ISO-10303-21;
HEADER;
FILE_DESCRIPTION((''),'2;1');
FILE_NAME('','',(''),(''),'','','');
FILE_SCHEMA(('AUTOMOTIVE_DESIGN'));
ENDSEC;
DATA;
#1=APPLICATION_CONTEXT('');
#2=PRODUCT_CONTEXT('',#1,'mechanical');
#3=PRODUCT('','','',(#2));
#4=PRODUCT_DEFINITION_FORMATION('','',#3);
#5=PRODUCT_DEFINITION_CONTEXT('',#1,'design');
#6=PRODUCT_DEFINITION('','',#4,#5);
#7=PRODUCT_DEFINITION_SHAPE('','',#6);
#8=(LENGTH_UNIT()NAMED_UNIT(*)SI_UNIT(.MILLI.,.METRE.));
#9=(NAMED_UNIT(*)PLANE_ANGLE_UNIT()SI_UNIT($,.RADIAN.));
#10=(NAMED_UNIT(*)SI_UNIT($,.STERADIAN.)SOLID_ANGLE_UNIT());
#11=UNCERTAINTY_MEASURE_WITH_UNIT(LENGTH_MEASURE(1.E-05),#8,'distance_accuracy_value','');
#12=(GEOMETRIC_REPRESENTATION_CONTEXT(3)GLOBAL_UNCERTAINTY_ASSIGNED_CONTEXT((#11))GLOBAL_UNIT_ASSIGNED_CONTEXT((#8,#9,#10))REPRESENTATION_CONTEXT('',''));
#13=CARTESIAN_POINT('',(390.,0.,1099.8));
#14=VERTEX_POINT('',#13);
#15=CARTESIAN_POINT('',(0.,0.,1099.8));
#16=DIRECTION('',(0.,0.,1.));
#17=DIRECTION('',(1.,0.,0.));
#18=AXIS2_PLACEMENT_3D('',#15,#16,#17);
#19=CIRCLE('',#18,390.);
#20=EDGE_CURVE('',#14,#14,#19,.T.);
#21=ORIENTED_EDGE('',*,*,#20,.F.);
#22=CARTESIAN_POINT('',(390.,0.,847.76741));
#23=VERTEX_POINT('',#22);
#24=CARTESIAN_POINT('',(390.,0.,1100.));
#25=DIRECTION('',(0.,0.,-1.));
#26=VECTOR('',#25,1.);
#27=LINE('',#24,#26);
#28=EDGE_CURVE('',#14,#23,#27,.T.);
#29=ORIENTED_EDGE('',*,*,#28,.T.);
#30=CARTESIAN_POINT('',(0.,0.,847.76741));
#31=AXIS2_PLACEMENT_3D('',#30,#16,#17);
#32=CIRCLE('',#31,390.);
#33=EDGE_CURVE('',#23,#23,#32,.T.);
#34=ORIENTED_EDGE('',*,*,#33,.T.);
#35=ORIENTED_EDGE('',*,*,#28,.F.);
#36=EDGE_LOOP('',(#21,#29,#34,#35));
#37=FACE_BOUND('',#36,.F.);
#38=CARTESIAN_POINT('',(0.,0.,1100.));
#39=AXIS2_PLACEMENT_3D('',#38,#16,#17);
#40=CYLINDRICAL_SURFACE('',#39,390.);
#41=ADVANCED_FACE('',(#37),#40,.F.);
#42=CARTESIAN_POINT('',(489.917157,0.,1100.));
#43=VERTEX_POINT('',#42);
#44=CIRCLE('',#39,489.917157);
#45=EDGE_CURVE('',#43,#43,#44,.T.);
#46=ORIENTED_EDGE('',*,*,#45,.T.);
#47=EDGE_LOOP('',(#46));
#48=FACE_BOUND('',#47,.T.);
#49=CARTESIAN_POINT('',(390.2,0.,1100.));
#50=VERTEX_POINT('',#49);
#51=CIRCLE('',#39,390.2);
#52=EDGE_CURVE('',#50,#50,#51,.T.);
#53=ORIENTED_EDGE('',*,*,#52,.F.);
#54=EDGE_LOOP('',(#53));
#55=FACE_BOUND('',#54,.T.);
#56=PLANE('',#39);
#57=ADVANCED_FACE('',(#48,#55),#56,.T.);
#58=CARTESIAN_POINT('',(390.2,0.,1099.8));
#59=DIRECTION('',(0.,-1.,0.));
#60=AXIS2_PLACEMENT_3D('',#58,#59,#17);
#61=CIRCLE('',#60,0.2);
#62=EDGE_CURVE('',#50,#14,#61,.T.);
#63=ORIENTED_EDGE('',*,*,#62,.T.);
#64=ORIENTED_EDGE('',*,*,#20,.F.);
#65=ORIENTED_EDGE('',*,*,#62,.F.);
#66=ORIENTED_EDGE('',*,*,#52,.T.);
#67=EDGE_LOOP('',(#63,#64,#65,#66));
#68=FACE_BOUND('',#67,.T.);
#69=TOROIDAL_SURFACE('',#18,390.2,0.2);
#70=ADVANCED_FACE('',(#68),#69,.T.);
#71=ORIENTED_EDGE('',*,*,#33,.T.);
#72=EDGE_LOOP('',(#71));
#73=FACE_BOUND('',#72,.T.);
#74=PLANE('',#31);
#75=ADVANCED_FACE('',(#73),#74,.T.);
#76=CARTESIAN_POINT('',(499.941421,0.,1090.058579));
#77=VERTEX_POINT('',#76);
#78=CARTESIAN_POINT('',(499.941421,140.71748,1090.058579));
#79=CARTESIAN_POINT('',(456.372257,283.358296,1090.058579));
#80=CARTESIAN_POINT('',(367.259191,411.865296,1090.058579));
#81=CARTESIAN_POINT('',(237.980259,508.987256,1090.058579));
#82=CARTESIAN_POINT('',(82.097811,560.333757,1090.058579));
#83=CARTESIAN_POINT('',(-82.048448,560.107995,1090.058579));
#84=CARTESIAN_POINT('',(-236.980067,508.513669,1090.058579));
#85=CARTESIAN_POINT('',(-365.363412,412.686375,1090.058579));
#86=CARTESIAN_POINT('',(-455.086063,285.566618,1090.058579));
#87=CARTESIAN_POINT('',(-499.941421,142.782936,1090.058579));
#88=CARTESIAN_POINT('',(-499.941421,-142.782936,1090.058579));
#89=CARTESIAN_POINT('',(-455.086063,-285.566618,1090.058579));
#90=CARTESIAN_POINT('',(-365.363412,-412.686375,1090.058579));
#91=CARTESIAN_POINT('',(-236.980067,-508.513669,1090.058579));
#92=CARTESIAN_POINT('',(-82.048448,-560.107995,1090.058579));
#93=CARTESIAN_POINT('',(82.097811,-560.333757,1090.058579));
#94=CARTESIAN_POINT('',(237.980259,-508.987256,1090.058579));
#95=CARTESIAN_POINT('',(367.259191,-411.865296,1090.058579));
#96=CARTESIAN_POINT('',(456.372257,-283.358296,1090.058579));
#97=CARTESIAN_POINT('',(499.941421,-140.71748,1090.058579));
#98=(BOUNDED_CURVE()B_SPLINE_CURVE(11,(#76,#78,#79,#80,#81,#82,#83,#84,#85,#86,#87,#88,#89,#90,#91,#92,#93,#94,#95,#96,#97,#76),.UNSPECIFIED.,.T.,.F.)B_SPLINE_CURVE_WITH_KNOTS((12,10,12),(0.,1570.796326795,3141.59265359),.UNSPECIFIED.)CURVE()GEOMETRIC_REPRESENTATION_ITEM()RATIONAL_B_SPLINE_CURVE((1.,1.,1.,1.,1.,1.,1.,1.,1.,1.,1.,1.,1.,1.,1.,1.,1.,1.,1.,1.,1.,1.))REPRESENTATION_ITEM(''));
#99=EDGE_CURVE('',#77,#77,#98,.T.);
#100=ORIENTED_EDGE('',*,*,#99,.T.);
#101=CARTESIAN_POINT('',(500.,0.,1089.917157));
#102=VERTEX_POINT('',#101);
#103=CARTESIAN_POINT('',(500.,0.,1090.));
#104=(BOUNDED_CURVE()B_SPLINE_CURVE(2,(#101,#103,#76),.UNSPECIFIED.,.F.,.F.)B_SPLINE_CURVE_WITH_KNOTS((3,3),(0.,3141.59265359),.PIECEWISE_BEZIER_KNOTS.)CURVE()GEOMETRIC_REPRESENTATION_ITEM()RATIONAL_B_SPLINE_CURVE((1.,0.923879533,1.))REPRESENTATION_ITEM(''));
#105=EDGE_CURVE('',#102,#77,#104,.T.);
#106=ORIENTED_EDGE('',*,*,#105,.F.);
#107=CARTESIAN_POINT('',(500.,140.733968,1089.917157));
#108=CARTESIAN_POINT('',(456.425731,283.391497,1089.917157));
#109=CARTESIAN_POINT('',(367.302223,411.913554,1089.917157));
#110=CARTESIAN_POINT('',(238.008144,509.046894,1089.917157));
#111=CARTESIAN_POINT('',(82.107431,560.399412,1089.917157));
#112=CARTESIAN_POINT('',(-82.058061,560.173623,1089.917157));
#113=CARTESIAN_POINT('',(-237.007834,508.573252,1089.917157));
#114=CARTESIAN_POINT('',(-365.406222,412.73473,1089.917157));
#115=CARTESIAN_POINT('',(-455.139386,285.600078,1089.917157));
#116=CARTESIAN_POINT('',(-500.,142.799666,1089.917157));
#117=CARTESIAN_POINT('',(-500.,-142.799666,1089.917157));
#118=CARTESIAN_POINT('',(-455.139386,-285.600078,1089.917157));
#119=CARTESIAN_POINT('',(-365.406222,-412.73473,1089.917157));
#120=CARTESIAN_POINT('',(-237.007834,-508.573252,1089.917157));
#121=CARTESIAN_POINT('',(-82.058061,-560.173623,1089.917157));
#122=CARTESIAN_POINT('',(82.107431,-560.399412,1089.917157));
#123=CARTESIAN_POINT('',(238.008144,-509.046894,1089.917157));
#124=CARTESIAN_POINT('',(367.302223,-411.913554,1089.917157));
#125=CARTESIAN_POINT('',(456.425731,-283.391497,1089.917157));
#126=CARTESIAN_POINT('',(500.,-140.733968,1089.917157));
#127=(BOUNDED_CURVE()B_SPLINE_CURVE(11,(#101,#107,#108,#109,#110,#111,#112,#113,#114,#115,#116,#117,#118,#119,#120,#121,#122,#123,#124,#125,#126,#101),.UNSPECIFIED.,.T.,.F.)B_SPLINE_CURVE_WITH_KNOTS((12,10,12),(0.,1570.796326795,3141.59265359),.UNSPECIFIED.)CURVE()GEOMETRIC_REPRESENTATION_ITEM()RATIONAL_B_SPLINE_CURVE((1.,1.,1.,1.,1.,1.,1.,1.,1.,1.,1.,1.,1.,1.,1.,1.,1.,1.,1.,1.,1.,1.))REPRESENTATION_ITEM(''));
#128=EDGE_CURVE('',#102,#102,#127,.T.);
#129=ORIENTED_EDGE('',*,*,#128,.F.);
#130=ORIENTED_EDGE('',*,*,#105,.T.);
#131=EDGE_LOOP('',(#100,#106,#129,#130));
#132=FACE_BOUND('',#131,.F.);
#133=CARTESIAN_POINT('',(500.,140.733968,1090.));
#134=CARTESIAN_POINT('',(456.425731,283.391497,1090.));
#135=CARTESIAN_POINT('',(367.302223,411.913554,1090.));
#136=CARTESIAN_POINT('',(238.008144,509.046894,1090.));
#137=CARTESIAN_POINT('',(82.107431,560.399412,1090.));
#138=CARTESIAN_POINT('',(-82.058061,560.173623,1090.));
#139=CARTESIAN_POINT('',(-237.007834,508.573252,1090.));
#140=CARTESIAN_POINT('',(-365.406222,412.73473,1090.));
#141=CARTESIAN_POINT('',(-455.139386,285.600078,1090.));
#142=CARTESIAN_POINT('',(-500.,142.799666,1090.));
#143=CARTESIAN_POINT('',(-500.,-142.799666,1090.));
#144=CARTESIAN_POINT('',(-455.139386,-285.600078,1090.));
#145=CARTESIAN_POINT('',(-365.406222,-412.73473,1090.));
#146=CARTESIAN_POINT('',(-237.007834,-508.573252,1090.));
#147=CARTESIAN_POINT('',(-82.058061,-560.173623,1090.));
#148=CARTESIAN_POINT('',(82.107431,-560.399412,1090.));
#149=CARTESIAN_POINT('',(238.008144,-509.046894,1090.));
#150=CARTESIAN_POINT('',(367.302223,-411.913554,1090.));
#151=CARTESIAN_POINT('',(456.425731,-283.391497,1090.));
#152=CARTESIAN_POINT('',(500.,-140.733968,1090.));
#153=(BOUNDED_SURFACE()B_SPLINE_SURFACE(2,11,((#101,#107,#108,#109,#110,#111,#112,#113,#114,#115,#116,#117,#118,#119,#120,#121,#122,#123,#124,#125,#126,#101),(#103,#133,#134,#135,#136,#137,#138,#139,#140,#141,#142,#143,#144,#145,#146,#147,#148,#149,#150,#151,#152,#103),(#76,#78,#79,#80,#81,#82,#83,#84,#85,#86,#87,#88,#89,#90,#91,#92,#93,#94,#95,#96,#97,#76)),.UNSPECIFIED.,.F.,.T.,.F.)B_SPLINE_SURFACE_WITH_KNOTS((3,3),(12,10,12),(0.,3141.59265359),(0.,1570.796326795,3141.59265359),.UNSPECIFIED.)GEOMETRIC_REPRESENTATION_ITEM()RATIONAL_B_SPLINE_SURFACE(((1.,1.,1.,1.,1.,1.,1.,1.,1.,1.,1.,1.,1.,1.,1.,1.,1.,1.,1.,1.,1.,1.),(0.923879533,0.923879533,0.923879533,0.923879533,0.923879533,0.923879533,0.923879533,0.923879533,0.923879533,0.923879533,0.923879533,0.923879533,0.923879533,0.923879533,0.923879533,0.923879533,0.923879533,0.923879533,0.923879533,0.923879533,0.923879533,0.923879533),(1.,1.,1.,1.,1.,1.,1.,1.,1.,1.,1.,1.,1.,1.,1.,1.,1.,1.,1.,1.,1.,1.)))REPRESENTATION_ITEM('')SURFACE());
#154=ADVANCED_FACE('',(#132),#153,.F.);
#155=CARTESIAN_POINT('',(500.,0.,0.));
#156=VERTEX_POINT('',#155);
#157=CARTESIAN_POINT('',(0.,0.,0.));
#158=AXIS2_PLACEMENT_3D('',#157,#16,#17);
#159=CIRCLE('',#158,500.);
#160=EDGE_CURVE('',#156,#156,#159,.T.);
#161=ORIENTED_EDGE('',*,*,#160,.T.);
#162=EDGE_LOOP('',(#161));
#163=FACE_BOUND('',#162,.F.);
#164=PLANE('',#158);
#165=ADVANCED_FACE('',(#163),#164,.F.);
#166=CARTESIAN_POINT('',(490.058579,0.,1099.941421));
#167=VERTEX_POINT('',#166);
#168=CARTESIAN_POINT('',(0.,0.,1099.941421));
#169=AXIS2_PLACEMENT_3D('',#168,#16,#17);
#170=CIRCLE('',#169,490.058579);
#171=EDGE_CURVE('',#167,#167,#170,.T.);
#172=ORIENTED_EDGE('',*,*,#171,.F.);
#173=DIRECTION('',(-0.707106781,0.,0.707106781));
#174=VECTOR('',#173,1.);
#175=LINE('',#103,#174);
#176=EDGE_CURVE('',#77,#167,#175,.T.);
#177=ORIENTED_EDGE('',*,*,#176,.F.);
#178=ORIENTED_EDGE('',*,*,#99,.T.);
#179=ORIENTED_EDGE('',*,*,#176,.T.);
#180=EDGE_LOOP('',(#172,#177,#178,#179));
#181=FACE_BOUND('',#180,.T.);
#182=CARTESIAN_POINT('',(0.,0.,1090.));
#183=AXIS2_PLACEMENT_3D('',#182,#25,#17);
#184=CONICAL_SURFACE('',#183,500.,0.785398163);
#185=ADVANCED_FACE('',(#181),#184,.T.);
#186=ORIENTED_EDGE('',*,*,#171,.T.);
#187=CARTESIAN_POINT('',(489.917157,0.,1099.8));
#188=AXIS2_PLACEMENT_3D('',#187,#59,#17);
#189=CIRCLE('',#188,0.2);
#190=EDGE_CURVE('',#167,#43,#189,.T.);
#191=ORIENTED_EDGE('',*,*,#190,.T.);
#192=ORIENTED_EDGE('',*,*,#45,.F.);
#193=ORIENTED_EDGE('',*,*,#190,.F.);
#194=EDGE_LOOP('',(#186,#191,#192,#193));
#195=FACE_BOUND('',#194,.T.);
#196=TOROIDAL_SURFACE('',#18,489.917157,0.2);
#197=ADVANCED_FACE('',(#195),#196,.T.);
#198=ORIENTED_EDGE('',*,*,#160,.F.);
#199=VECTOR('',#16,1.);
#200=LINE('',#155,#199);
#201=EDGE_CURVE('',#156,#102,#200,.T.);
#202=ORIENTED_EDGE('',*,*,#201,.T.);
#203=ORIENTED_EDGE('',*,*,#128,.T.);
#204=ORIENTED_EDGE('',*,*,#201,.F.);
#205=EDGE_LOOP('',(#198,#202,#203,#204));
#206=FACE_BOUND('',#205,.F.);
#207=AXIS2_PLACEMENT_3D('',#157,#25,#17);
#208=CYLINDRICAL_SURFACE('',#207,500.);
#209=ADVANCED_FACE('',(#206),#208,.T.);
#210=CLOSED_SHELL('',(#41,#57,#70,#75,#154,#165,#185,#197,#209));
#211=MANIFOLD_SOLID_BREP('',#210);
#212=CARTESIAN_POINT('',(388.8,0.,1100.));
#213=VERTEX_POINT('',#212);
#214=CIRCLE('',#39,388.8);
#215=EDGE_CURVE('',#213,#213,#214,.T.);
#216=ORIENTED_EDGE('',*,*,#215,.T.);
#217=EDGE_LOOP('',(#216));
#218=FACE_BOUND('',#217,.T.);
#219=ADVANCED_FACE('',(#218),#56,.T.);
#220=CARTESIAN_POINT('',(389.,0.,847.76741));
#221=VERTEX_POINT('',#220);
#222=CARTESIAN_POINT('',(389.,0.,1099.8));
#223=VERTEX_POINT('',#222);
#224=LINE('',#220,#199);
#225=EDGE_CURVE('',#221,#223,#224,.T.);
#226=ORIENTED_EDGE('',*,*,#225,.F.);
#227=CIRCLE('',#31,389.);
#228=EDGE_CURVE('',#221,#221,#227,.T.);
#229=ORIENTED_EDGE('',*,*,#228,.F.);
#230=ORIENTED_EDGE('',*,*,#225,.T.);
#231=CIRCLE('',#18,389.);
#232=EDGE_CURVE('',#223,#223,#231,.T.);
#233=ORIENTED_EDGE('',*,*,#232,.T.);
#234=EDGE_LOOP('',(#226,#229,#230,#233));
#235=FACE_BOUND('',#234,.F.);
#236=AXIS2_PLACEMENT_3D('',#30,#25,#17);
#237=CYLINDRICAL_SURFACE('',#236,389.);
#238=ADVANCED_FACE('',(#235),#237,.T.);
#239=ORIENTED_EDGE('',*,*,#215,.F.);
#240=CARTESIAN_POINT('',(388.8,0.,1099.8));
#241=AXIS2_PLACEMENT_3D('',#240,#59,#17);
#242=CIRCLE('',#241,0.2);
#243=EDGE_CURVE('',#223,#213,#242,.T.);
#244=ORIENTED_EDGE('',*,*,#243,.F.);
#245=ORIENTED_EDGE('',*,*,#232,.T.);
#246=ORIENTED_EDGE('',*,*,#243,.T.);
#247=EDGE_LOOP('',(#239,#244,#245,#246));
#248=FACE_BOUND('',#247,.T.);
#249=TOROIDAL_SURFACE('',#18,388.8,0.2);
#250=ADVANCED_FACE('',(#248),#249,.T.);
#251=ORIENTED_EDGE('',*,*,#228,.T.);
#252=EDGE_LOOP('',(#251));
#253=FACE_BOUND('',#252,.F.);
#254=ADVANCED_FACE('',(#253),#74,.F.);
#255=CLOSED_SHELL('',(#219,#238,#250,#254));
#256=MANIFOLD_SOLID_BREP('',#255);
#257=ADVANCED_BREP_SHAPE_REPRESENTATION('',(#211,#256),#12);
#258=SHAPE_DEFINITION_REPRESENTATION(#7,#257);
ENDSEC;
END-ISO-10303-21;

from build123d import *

# Parameters (mm, degrees)
F0_R     = 500
F1_DEPTH = 1100
F2_SIZE  = 10
F3_R     = 390
F4_DEPTH = 252.23259
F5_R     = 389
F6_DEPTH = 252.23259
F7_R     = 0.2
F8_R     = 0.2


with BuildPart() as f1:
    # F0 (on Top) → F1 (new body)
    with BuildSketch(Plane.XY):
        Circle(F0_R)
    extrude(amount=F1_DEPTH)

    # F2
    f2_edges = [f1.edges().sort_by_distance(p)[0] for p in [
        (-500, 0, 1100),
    ]]
    chamfer(f2_edges, length=F2_SIZE)

    # F3 (on face) → F4 (cut)
    with BuildSketch(Plane.XY.offset(1100)):
        Circle(F3_R)
    extrude(amount=-F4_DEPTH, mode=Mode.SUBTRACT)

    # F8
    f8_edges = [f1.edges().sort_by_distance(p)[0] for p in [
        (-390, 0, 1100),
        (-490, 0, 1100),
        (-500, 0, 1090),
    ]]
    fillet(f8_edges, radius=F8_R)


with BuildPart() as f6:
    # F5 (on face) → F6 (new body, through all)
    with BuildSketch(Plane.XY.offset(847.76741)):
        Circle(F5_R)
    extrude(amount=F6_DEPTH)

    # F7
    f7_edges = [f6.edges().sort_by_distance(p)[0] for p in [
        (-389, 0, 1100),
    ]]
    fillet(f7_edges, radius=F7_R)


solid = Compound([f1.part, f6.part])
